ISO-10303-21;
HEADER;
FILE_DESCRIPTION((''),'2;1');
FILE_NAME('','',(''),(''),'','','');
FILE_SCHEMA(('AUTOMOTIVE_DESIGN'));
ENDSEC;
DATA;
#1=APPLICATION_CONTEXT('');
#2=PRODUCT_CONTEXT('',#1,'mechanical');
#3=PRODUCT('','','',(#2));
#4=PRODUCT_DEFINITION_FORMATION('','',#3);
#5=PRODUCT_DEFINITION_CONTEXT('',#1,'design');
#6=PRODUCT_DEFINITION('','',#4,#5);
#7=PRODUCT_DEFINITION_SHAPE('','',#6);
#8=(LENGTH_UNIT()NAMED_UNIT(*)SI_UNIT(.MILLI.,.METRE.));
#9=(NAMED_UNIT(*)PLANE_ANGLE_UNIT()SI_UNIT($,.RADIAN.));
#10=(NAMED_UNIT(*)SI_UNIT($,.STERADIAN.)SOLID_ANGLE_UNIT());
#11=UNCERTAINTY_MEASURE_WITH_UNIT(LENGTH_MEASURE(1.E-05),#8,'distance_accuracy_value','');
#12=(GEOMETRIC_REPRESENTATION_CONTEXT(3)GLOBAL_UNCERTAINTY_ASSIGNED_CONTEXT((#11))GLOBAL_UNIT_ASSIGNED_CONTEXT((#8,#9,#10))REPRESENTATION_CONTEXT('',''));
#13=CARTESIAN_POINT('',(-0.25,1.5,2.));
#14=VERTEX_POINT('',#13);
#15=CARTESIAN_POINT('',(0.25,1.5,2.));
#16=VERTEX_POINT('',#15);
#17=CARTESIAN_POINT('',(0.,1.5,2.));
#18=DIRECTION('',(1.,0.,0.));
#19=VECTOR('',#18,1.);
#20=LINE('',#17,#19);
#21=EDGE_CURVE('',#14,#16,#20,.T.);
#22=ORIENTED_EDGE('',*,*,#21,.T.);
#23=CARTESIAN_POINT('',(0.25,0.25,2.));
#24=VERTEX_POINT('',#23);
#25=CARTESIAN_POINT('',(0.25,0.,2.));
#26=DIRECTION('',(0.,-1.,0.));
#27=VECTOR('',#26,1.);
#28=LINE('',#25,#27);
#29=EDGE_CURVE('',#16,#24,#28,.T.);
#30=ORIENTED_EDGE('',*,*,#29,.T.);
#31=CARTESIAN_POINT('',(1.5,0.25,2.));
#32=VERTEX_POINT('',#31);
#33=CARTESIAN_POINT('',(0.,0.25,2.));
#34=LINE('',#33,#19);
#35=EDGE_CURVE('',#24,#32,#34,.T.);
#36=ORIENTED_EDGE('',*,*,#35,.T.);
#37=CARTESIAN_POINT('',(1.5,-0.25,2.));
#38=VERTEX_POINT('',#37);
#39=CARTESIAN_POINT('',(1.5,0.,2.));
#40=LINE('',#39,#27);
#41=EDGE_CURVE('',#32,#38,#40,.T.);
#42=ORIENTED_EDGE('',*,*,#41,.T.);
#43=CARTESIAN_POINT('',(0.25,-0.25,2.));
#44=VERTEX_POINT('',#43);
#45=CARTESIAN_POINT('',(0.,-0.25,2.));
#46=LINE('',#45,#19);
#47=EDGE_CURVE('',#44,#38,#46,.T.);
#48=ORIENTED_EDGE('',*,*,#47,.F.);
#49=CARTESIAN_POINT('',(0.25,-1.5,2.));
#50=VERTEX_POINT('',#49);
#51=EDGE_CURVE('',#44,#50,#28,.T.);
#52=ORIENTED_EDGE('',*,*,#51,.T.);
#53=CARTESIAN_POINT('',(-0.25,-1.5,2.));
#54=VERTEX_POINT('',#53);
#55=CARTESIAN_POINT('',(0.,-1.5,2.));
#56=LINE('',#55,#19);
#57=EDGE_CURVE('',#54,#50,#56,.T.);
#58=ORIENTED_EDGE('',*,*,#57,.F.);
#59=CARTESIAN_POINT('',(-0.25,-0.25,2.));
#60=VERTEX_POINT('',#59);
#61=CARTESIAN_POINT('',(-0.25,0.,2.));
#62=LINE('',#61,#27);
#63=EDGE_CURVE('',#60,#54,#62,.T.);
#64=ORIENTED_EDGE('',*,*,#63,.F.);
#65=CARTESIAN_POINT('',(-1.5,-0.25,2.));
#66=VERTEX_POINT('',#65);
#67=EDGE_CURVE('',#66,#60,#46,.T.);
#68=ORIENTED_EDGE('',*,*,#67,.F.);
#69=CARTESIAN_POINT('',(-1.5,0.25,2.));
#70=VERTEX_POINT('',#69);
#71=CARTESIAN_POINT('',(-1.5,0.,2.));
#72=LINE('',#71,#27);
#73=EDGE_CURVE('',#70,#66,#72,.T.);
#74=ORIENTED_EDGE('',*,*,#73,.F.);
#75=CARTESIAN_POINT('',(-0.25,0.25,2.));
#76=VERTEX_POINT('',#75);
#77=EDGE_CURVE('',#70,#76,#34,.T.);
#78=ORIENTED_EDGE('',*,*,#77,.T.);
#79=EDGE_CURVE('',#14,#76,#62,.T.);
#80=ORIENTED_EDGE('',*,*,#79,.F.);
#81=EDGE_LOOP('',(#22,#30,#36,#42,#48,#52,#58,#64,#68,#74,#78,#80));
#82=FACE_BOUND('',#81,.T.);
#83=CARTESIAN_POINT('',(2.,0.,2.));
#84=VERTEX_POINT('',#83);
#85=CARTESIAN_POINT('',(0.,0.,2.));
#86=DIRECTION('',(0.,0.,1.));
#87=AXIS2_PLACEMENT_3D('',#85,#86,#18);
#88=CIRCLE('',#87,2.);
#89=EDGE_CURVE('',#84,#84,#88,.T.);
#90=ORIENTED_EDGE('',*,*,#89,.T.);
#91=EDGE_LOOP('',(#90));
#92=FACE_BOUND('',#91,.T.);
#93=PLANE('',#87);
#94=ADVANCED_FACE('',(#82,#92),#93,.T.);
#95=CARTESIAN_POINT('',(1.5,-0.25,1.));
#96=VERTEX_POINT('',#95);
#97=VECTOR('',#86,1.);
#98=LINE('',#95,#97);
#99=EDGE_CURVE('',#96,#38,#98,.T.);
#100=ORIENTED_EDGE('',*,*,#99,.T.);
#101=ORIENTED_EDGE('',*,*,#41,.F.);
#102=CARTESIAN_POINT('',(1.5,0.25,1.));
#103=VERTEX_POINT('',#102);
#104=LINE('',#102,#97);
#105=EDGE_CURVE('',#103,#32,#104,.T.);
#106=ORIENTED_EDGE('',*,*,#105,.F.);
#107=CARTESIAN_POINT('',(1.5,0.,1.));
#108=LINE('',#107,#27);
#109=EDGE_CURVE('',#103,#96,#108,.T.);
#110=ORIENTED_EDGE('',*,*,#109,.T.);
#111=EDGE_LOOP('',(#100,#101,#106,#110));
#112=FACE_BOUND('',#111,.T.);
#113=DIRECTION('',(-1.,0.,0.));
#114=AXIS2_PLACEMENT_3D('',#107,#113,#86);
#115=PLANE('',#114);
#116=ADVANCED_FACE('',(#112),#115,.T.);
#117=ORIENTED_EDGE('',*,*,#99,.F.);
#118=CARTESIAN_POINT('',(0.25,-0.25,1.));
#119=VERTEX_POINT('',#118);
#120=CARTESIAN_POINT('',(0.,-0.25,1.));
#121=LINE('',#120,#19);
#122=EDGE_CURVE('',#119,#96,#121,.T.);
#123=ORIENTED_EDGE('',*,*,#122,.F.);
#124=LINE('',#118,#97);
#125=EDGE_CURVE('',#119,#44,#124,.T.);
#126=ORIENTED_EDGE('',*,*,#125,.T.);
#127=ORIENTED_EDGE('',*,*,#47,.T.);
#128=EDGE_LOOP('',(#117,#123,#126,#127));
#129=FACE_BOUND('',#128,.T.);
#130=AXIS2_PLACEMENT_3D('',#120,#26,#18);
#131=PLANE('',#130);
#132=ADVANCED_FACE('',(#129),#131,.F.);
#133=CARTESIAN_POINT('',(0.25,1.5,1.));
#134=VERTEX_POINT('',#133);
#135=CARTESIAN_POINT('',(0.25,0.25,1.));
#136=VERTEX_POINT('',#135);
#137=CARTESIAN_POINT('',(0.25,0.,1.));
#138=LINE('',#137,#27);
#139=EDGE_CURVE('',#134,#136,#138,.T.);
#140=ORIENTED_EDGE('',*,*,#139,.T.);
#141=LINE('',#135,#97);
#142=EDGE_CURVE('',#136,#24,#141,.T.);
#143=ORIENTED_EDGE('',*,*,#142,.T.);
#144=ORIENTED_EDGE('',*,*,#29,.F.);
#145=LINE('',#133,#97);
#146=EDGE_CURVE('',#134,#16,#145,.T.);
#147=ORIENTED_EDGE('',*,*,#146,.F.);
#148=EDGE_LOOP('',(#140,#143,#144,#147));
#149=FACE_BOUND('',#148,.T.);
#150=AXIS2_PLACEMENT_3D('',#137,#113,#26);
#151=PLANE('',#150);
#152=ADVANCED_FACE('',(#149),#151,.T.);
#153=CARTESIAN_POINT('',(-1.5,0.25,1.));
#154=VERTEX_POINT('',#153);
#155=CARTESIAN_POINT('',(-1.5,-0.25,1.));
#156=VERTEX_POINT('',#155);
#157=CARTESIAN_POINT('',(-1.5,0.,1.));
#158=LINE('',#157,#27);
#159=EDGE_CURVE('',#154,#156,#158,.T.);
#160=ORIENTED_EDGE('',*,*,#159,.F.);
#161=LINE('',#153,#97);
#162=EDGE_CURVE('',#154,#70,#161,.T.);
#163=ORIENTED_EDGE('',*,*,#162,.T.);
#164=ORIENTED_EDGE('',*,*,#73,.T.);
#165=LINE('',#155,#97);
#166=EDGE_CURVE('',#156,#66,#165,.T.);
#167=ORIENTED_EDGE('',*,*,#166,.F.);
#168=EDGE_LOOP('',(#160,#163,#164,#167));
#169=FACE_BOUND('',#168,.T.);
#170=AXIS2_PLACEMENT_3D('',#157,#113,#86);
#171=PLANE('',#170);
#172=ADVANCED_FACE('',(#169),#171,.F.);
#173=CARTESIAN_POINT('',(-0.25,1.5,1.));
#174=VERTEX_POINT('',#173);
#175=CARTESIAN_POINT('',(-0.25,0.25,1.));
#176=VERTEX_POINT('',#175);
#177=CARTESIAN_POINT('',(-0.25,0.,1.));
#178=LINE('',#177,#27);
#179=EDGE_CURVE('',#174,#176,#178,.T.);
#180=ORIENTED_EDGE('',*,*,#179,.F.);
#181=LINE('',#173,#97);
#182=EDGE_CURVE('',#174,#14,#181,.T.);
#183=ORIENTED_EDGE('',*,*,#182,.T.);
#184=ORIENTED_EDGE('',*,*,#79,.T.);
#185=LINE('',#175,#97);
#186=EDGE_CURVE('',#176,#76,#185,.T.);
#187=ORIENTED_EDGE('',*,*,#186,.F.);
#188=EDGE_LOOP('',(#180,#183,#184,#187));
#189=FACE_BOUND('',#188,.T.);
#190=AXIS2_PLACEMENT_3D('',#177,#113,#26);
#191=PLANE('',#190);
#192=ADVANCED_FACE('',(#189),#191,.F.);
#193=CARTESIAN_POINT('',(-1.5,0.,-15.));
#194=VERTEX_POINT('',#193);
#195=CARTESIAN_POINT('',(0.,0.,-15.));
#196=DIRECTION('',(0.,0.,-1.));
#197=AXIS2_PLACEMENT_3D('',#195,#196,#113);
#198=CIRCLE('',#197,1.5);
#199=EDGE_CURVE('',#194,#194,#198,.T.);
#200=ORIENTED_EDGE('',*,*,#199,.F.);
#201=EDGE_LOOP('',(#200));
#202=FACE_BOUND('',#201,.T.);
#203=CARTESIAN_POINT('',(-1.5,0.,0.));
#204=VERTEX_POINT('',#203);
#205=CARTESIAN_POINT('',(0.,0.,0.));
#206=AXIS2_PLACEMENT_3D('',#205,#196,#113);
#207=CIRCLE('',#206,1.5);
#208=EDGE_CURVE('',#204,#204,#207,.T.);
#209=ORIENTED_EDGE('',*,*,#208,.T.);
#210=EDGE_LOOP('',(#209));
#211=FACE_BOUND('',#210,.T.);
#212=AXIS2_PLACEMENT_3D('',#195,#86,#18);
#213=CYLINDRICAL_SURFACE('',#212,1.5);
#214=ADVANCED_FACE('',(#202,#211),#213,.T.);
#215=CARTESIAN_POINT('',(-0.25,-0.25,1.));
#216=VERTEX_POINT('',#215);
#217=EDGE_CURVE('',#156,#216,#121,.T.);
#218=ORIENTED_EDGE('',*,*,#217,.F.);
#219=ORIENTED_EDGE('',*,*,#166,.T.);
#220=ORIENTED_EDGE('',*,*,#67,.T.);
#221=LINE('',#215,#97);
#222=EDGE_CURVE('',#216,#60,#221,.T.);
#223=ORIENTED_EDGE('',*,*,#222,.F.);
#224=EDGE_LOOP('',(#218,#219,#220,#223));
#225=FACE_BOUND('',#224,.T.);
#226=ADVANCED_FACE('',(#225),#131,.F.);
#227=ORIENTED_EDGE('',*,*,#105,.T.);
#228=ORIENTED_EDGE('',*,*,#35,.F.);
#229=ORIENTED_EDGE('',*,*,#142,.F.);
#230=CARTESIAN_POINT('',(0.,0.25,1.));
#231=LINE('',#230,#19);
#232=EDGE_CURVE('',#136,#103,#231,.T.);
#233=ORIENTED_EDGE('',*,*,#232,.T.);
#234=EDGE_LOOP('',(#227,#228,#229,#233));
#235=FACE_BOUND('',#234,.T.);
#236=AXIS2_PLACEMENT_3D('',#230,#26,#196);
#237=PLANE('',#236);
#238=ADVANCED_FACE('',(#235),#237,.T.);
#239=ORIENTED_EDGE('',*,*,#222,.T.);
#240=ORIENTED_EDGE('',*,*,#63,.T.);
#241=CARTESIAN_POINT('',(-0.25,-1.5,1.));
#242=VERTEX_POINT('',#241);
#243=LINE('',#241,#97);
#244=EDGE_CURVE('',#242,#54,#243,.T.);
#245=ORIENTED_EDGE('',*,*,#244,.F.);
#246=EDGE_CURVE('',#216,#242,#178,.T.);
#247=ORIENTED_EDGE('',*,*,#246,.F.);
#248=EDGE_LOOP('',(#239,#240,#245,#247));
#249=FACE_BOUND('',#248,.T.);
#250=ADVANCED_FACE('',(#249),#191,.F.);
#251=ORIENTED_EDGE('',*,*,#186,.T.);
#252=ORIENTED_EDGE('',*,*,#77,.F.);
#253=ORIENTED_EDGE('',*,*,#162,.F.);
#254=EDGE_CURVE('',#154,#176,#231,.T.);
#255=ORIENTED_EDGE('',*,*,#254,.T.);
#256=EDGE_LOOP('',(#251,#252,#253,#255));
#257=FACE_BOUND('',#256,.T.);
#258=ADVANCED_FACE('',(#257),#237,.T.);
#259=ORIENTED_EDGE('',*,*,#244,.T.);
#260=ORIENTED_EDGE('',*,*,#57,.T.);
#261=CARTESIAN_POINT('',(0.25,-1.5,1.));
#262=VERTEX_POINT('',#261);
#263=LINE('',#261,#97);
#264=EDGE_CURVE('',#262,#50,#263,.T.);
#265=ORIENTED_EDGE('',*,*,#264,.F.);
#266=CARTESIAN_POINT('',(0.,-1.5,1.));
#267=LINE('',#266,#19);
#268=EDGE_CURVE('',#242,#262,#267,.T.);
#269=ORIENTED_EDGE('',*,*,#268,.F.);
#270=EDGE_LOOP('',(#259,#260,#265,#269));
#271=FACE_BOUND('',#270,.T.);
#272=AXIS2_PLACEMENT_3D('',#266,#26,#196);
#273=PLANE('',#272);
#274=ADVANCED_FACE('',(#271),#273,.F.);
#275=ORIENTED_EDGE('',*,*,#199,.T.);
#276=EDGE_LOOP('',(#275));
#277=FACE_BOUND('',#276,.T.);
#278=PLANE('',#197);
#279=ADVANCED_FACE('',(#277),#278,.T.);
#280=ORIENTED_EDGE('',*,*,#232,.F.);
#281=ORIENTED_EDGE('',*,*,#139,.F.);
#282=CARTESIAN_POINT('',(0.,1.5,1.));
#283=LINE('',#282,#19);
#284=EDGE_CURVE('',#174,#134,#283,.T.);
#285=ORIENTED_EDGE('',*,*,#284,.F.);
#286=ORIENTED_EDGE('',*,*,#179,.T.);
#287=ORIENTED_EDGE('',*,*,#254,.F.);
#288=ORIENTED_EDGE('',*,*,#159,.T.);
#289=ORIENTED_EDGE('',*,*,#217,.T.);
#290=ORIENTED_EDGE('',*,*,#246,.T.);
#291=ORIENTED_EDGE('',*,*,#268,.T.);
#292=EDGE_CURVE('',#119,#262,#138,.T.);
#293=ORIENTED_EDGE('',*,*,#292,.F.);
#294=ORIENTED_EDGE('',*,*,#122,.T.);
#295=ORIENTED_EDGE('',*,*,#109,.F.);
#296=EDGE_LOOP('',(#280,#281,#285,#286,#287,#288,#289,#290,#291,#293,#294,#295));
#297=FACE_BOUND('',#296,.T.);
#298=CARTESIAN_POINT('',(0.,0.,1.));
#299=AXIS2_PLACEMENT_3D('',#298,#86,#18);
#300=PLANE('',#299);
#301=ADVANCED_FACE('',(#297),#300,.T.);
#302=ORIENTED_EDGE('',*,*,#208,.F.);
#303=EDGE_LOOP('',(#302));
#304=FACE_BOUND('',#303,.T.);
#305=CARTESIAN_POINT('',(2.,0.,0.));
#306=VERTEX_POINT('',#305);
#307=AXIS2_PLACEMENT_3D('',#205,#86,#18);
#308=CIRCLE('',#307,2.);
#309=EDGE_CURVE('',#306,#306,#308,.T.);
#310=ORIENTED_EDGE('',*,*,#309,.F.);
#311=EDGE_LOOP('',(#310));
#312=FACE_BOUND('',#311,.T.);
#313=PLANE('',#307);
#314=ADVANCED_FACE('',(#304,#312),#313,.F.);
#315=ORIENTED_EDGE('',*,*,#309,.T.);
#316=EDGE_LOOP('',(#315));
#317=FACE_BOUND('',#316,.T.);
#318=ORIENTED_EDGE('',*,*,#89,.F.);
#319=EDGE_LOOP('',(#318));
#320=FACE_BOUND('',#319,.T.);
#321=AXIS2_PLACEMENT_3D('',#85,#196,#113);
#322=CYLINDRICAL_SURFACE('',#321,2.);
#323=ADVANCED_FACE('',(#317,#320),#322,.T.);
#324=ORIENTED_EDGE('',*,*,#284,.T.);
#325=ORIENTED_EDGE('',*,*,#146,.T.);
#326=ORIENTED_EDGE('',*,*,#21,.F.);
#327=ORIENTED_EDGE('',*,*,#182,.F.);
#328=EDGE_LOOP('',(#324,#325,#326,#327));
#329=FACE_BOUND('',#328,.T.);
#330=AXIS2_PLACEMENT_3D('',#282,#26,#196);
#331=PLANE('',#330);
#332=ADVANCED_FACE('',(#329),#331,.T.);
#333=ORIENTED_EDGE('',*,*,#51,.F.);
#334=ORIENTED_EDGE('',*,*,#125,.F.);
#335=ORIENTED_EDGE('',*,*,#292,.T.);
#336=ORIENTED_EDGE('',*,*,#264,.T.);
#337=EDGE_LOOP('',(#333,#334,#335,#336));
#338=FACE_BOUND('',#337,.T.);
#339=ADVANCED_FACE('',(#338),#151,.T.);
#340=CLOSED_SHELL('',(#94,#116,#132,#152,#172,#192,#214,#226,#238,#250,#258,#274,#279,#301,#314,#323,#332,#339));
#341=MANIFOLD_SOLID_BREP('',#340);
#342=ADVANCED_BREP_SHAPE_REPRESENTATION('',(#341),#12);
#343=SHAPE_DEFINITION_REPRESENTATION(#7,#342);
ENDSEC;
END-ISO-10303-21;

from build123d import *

# Parameters (mm, degrees)
SKETCH1_R           = 2
BOSS_EXTRUDE1_DEPTH = 2
SKETCH2_R           = 1.5
BOSS_EXTRUDE2_DEPTH = 15
SKETCH4_W           = 0.5
SKETCH4_H           = 1.25
SKETCH4_H_2         = 0.5
SKETCH4_W_2         = 1.25
CUT_EXTRUDE1_DEPTH  = 1


with BuildPart() as part:
    # Sketch1 → Boss-Extrude1 (new body)
    with BuildSketch(Plane.XY):
        Circle(SKETCH1_R)
    extrude(amount=BOSS_EXTRUDE1_DEPTH)

    # Sketch2 → Boss-Extrude2 (add)
    with BuildSketch(Plane(origin=(0, 0, 0), x_dir=(-1, 0, 0), z_dir=(0, 0, -1))):
        Circle(SKETCH2_R)
    extrude(amount=BOSS_EXTRUDE2_DEPTH)

    # Sketch4 → Cut-Extrude1 (cut)
    with BuildSketch(Plane.XY.offset(2)):
        with Locations((0, 0.875)):
            Rectangle(SKETCH4_W, SKETCH4_H)
        Rectangle(SKETCH4_W, SKETCH4_H_2)
        with Locations((0.875, 0)):
            Rectangle(SKETCH4_W_2, SKETCH4_H_2)
        with Locations((0, -0.875)):
            Rectangle(SKETCH4_W, SKETCH4_H)
        with Locations((-0.875, 0)):
            Rectangle(SKETCH4_W_2, SKETCH4_H_2)
    extrude(amount=-CUT_EXTRUDE1_DEPTH, mode=Mode.SUBTRACT)


solid = part.part
